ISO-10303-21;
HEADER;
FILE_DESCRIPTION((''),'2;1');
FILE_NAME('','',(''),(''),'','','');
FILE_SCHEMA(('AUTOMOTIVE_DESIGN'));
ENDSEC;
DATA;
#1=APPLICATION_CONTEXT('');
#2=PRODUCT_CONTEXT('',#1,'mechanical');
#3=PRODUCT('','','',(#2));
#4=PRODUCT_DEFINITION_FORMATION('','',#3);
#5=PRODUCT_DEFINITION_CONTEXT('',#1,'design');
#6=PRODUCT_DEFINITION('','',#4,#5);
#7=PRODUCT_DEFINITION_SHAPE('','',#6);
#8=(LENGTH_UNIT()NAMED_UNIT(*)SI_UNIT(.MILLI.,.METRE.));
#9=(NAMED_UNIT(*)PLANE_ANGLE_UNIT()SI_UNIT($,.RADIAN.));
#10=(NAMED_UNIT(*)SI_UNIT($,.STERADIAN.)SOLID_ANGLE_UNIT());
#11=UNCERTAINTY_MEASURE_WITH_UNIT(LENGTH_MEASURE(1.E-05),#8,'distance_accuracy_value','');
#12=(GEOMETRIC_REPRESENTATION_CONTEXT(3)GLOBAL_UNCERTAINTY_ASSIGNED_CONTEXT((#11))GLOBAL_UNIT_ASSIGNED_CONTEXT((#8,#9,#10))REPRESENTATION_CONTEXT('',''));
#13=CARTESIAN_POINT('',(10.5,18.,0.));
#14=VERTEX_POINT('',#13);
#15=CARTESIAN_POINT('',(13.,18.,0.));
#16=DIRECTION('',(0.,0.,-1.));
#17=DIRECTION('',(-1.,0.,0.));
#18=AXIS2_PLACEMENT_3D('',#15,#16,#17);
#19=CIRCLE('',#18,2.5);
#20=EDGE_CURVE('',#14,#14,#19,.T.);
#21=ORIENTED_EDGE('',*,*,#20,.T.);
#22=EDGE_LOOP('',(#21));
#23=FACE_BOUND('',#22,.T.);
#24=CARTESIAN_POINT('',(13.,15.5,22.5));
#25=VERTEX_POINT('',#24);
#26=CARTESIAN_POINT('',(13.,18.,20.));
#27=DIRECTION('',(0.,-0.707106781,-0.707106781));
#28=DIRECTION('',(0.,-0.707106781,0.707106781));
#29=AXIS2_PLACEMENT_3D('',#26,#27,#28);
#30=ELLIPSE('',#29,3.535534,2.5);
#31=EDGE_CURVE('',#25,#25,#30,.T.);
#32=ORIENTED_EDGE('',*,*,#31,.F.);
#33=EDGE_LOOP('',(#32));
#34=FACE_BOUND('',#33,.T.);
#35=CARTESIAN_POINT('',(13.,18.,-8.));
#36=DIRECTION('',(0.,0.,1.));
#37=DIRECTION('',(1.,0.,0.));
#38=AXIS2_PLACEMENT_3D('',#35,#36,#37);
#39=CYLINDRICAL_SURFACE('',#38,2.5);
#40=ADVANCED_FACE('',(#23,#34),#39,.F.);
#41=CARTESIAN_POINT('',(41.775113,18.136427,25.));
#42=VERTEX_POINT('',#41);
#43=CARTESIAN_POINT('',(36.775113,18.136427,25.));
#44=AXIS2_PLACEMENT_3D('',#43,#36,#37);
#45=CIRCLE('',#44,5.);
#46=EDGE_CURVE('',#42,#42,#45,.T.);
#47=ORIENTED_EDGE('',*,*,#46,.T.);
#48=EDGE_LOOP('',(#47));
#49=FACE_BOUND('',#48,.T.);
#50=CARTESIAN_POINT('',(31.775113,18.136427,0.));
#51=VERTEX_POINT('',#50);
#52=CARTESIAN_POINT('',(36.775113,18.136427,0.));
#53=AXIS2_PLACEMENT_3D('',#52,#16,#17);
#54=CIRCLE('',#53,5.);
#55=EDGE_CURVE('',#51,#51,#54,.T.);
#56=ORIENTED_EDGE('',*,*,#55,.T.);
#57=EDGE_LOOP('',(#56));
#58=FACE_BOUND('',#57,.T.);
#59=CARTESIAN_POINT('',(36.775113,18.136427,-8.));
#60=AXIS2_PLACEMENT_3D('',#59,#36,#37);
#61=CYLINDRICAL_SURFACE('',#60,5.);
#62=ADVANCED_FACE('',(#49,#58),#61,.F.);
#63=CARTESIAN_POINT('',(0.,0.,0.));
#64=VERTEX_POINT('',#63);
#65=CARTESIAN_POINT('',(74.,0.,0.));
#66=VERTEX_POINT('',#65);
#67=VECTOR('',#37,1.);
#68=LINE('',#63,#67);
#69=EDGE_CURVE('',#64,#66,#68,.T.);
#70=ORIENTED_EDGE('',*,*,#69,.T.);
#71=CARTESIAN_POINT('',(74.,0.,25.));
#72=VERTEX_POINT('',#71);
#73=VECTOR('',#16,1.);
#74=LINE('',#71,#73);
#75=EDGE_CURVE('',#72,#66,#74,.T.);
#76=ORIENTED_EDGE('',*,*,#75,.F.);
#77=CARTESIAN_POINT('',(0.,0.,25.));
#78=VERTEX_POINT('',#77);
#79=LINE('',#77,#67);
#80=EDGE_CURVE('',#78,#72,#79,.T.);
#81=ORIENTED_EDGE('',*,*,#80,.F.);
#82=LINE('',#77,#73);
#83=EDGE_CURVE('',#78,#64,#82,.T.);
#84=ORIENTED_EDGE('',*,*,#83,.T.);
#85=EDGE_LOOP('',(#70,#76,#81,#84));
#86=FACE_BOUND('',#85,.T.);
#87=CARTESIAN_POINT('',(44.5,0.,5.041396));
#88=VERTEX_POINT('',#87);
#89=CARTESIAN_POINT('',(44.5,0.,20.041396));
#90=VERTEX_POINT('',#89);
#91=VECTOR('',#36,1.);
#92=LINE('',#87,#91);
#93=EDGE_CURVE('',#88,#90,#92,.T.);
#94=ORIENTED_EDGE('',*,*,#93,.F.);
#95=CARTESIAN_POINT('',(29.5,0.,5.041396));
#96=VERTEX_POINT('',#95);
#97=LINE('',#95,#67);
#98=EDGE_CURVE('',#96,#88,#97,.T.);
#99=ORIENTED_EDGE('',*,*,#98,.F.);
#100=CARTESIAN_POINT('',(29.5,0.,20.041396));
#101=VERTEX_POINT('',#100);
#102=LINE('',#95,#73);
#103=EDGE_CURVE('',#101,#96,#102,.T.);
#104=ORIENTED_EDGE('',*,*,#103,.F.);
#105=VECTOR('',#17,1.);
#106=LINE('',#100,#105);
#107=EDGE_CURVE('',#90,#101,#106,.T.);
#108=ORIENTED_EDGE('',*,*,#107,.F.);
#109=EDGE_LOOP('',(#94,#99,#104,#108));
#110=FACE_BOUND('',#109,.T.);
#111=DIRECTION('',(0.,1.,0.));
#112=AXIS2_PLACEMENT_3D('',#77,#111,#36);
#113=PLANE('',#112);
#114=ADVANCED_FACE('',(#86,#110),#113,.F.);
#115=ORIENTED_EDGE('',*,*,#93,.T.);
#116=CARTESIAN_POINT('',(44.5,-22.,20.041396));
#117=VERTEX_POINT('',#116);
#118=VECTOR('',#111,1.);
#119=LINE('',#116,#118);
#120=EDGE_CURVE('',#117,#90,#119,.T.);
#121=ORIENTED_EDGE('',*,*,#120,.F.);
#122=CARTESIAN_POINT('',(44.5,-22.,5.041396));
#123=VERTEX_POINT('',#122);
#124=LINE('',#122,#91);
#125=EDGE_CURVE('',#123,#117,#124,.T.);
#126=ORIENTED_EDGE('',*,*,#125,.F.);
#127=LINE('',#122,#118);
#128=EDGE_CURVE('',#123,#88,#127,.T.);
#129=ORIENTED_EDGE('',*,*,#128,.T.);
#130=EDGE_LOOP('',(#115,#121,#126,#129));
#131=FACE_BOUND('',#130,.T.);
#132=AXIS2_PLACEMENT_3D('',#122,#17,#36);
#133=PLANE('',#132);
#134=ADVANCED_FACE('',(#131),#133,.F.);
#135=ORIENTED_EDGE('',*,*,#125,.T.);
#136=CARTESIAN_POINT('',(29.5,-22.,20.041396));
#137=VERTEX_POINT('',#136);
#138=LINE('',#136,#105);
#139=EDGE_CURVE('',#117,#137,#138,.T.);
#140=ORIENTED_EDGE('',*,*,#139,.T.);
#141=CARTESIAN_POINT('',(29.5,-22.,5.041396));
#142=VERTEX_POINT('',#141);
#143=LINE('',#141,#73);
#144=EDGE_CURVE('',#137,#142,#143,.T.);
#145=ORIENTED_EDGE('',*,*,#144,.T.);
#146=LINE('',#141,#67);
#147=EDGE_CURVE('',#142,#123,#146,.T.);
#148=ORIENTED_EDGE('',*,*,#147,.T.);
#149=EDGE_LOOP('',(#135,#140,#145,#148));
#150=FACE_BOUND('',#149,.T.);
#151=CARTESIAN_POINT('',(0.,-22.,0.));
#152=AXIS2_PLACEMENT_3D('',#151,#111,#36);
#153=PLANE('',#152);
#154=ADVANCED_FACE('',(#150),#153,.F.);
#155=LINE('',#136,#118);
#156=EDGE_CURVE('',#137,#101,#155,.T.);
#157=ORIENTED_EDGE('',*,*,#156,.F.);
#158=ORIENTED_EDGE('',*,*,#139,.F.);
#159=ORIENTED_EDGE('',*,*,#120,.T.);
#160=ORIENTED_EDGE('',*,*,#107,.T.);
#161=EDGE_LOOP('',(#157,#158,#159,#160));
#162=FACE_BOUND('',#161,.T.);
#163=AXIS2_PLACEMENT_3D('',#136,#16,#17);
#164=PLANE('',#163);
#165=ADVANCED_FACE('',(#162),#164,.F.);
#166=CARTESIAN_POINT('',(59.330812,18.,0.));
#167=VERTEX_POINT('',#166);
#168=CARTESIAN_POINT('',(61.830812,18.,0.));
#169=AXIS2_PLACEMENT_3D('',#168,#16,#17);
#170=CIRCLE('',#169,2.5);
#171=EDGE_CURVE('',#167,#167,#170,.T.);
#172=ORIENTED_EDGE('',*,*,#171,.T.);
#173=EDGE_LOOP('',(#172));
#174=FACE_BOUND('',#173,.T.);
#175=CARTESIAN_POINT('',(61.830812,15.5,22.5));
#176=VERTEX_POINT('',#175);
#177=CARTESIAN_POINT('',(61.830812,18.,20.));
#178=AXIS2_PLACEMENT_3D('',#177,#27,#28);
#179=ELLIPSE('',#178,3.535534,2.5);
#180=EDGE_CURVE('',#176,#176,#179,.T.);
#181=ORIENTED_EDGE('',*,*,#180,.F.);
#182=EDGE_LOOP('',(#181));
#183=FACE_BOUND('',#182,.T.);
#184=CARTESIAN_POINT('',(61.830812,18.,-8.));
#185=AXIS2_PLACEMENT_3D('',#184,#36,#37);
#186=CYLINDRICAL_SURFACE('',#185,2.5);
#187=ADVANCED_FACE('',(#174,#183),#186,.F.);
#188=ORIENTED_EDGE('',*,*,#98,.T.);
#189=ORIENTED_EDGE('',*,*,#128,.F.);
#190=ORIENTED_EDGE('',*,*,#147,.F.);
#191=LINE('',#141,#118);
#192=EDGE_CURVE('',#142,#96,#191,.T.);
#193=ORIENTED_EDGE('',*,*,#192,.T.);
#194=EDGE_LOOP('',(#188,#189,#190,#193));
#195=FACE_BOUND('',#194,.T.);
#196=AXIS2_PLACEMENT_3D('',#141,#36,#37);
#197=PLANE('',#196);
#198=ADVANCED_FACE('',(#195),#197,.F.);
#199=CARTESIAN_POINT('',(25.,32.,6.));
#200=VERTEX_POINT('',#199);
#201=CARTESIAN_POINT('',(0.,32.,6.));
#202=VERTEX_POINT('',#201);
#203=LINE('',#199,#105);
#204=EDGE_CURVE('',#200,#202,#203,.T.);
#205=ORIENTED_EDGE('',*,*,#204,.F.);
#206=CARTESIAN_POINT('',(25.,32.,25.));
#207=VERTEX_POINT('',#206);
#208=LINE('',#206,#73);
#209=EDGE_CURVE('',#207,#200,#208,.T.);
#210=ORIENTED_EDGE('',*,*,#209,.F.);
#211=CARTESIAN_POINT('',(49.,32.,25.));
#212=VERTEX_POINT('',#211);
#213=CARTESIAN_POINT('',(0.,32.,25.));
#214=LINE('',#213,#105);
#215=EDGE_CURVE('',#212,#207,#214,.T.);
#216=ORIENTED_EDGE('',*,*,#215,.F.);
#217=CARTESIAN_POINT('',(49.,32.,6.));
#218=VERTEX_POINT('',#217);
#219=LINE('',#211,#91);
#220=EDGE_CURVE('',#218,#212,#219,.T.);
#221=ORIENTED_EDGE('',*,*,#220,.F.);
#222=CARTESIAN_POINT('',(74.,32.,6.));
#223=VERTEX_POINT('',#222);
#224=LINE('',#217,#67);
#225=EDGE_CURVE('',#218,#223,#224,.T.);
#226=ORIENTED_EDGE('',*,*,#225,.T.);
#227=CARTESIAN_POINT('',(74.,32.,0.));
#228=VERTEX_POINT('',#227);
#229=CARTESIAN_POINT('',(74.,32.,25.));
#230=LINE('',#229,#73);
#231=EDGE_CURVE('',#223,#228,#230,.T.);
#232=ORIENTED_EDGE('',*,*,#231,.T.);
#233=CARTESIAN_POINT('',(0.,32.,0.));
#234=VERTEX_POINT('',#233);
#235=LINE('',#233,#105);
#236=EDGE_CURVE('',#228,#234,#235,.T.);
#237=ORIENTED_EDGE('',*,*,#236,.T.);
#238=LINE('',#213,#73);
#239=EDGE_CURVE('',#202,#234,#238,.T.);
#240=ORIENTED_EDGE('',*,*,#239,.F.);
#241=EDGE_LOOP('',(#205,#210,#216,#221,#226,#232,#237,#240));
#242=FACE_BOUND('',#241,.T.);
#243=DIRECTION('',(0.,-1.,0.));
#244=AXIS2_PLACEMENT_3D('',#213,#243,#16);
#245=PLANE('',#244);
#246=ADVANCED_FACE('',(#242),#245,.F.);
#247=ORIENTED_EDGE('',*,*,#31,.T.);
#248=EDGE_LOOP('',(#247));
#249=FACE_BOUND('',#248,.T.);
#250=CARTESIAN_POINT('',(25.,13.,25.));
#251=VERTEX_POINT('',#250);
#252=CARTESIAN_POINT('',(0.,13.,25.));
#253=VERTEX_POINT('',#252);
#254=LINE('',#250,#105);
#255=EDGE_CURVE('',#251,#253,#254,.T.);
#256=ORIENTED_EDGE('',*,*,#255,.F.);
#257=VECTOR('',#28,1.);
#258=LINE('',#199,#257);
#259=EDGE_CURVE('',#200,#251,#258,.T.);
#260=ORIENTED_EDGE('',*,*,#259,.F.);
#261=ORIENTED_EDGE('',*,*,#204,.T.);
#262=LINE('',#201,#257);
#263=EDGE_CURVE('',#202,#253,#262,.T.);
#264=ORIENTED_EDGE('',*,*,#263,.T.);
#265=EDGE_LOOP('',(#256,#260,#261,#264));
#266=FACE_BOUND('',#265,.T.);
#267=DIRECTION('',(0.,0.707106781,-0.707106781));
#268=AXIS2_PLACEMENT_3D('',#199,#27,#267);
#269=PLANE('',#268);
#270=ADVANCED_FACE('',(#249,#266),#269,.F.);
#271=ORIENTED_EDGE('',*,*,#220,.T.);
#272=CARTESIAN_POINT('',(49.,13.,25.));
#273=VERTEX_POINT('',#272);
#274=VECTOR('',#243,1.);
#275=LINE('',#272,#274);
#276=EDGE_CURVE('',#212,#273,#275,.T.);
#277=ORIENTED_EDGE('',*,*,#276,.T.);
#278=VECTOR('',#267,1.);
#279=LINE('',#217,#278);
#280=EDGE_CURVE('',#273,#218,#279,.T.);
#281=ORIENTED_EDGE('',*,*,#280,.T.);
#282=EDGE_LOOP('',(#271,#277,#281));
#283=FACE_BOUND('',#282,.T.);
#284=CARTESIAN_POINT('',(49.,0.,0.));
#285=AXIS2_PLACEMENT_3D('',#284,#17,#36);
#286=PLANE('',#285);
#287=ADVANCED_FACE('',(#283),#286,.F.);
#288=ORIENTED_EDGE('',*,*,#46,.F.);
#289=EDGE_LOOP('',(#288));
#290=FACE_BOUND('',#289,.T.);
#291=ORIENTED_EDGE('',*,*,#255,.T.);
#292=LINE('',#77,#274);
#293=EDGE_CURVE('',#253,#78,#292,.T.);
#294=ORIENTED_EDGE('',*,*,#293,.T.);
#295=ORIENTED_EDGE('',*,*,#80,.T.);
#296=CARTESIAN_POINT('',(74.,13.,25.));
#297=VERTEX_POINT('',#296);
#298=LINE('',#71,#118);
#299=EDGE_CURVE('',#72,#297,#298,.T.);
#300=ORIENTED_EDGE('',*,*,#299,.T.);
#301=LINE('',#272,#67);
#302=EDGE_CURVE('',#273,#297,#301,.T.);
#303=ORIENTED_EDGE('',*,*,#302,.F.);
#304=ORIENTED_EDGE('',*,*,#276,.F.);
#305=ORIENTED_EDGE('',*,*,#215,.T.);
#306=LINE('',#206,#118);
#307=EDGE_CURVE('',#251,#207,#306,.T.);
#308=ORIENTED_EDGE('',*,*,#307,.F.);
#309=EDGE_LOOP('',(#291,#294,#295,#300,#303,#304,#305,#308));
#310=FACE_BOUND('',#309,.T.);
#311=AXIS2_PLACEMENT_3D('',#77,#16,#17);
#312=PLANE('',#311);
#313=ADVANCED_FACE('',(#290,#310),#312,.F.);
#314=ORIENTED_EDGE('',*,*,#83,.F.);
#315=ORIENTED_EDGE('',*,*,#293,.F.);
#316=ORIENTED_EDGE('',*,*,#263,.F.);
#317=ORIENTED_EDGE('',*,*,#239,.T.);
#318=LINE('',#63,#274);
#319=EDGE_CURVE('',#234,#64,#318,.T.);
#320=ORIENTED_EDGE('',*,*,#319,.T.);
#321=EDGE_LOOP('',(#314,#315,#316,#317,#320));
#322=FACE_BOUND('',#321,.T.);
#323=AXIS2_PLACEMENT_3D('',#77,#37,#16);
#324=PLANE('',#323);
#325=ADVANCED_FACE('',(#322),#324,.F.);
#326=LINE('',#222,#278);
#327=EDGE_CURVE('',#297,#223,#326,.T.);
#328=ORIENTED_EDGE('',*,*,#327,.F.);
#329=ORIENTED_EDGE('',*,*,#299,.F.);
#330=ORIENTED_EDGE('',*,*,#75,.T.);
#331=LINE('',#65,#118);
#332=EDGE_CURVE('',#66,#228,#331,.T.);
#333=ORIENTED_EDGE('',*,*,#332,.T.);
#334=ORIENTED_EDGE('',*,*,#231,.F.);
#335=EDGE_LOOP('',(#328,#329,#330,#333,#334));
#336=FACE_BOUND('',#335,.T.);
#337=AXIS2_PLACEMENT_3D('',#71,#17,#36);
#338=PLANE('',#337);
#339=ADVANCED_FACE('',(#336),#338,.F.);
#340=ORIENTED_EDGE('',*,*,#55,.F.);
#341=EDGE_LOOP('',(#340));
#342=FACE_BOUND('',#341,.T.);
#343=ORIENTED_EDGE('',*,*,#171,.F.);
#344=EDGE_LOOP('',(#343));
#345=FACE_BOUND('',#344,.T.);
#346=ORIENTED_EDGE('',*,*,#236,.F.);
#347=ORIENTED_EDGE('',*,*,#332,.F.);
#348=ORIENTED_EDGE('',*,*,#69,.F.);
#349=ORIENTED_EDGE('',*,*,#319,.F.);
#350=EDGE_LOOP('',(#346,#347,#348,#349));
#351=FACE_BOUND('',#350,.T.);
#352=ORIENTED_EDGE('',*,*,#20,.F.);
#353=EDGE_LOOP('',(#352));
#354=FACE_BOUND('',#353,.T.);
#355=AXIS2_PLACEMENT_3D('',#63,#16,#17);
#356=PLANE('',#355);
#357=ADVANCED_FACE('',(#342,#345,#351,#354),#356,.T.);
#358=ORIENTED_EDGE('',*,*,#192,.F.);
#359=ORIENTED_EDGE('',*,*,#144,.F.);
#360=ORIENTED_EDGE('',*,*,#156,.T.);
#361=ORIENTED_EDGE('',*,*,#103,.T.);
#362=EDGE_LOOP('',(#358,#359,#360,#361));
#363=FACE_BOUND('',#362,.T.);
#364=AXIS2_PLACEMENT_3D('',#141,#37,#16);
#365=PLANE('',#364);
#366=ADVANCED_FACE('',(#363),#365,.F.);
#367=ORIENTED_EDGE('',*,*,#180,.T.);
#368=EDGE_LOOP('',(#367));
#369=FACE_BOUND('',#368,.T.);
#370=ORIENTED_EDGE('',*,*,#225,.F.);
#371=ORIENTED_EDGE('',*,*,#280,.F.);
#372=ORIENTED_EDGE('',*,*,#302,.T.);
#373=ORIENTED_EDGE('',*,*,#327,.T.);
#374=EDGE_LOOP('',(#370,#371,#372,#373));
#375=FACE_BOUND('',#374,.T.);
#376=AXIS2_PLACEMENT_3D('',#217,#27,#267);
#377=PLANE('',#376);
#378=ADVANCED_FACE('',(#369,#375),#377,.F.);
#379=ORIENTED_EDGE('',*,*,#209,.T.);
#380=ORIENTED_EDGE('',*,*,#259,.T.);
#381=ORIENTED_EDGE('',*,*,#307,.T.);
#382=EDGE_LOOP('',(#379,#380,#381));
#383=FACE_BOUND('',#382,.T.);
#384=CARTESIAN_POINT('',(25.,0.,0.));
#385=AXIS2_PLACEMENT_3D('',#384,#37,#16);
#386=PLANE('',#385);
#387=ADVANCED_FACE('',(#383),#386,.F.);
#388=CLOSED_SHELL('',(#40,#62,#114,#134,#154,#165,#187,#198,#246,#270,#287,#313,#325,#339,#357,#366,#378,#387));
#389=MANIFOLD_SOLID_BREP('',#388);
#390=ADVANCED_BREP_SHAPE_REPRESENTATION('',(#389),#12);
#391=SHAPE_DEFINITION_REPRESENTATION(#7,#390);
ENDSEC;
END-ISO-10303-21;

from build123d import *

# Parameters (mm, degrees)
SKETCH2_W           = 74
SKETCH2_H           = 32
BOSS_EXTRUDE1_DEPTH = 25
CUT_EXTRUDE2_DEPTH  = 25
CUT_EXTRUDE3_DEPTH  = 25
SKETCH6_R           = 5
SKETCH6_R_2         = 2.5
CUT_EXTRUDE4_DEPTH  = 33
SKETCH7_W           = 15
SKETCH7_H           = 15
BOSS_EXTRUDE2_DEPTH = 22


with BuildPart() as part:
    # Sketch2 → Boss-Extrude1 (new body)
    with BuildSketch(Plane.XY):
        with Locations((37, 16)):
            Rectangle(SKETCH2_W, SKETCH2_H)
    extrude(amount=BOSS_EXTRUDE1_DEPTH)

    # Sketch4 → Cut-Extrude2 (cut)
    with BuildSketch(Plane.ZY):
        Polygon((25, 32), (6, 32), (25, 13), align=None)
    extrude(amount=-CUT_EXTRUDE2_DEPTH, mode=Mode.SUBTRACT)

    # Sketch5 → Cut-Extrude3 (cut)
    with BuildSketch(Plane(origin=(74, 0, 0), x_dir=(0, 0, -1), z_dir=(1, 0, 0))):
        Polygon((-25, 32), (-6, 32), (-25, 13), align=None)
    extrude(amount=-CUT_EXTRUDE3_DEPTH, mode=Mode.SUBTRACT)

    # Sketch6 → Cut-Extrude4 (cut)
    with BuildSketch(Plane.XY.offset(25)):
        with Locations((36.775112994, 18.136426558)):
            Circle(SKETCH6_R)
        with Locations(Location((13, 18, 0), (0, 0, 270))):
            Circle(SKETCH6_R_2)
        with Locations(Location((61.830812036, 18, 0), (0, 0, 270))):
            Circle(SKETCH6_R_2)
    extrude(amount=-CUT_EXTRUDE4_DEPTH, mode=Mode.SUBTRACT)

    # Sketch7 → Boss-Extrude2 (add)
    with BuildSketch(Plane.XZ):
        with Locations((37, 12.541396218)):
            Rectangle(SKETCH7_W, SKETCH7_H)
    extrude(amount=BOSS_EXTRUDE2_DEPTH)


solid = part.part
